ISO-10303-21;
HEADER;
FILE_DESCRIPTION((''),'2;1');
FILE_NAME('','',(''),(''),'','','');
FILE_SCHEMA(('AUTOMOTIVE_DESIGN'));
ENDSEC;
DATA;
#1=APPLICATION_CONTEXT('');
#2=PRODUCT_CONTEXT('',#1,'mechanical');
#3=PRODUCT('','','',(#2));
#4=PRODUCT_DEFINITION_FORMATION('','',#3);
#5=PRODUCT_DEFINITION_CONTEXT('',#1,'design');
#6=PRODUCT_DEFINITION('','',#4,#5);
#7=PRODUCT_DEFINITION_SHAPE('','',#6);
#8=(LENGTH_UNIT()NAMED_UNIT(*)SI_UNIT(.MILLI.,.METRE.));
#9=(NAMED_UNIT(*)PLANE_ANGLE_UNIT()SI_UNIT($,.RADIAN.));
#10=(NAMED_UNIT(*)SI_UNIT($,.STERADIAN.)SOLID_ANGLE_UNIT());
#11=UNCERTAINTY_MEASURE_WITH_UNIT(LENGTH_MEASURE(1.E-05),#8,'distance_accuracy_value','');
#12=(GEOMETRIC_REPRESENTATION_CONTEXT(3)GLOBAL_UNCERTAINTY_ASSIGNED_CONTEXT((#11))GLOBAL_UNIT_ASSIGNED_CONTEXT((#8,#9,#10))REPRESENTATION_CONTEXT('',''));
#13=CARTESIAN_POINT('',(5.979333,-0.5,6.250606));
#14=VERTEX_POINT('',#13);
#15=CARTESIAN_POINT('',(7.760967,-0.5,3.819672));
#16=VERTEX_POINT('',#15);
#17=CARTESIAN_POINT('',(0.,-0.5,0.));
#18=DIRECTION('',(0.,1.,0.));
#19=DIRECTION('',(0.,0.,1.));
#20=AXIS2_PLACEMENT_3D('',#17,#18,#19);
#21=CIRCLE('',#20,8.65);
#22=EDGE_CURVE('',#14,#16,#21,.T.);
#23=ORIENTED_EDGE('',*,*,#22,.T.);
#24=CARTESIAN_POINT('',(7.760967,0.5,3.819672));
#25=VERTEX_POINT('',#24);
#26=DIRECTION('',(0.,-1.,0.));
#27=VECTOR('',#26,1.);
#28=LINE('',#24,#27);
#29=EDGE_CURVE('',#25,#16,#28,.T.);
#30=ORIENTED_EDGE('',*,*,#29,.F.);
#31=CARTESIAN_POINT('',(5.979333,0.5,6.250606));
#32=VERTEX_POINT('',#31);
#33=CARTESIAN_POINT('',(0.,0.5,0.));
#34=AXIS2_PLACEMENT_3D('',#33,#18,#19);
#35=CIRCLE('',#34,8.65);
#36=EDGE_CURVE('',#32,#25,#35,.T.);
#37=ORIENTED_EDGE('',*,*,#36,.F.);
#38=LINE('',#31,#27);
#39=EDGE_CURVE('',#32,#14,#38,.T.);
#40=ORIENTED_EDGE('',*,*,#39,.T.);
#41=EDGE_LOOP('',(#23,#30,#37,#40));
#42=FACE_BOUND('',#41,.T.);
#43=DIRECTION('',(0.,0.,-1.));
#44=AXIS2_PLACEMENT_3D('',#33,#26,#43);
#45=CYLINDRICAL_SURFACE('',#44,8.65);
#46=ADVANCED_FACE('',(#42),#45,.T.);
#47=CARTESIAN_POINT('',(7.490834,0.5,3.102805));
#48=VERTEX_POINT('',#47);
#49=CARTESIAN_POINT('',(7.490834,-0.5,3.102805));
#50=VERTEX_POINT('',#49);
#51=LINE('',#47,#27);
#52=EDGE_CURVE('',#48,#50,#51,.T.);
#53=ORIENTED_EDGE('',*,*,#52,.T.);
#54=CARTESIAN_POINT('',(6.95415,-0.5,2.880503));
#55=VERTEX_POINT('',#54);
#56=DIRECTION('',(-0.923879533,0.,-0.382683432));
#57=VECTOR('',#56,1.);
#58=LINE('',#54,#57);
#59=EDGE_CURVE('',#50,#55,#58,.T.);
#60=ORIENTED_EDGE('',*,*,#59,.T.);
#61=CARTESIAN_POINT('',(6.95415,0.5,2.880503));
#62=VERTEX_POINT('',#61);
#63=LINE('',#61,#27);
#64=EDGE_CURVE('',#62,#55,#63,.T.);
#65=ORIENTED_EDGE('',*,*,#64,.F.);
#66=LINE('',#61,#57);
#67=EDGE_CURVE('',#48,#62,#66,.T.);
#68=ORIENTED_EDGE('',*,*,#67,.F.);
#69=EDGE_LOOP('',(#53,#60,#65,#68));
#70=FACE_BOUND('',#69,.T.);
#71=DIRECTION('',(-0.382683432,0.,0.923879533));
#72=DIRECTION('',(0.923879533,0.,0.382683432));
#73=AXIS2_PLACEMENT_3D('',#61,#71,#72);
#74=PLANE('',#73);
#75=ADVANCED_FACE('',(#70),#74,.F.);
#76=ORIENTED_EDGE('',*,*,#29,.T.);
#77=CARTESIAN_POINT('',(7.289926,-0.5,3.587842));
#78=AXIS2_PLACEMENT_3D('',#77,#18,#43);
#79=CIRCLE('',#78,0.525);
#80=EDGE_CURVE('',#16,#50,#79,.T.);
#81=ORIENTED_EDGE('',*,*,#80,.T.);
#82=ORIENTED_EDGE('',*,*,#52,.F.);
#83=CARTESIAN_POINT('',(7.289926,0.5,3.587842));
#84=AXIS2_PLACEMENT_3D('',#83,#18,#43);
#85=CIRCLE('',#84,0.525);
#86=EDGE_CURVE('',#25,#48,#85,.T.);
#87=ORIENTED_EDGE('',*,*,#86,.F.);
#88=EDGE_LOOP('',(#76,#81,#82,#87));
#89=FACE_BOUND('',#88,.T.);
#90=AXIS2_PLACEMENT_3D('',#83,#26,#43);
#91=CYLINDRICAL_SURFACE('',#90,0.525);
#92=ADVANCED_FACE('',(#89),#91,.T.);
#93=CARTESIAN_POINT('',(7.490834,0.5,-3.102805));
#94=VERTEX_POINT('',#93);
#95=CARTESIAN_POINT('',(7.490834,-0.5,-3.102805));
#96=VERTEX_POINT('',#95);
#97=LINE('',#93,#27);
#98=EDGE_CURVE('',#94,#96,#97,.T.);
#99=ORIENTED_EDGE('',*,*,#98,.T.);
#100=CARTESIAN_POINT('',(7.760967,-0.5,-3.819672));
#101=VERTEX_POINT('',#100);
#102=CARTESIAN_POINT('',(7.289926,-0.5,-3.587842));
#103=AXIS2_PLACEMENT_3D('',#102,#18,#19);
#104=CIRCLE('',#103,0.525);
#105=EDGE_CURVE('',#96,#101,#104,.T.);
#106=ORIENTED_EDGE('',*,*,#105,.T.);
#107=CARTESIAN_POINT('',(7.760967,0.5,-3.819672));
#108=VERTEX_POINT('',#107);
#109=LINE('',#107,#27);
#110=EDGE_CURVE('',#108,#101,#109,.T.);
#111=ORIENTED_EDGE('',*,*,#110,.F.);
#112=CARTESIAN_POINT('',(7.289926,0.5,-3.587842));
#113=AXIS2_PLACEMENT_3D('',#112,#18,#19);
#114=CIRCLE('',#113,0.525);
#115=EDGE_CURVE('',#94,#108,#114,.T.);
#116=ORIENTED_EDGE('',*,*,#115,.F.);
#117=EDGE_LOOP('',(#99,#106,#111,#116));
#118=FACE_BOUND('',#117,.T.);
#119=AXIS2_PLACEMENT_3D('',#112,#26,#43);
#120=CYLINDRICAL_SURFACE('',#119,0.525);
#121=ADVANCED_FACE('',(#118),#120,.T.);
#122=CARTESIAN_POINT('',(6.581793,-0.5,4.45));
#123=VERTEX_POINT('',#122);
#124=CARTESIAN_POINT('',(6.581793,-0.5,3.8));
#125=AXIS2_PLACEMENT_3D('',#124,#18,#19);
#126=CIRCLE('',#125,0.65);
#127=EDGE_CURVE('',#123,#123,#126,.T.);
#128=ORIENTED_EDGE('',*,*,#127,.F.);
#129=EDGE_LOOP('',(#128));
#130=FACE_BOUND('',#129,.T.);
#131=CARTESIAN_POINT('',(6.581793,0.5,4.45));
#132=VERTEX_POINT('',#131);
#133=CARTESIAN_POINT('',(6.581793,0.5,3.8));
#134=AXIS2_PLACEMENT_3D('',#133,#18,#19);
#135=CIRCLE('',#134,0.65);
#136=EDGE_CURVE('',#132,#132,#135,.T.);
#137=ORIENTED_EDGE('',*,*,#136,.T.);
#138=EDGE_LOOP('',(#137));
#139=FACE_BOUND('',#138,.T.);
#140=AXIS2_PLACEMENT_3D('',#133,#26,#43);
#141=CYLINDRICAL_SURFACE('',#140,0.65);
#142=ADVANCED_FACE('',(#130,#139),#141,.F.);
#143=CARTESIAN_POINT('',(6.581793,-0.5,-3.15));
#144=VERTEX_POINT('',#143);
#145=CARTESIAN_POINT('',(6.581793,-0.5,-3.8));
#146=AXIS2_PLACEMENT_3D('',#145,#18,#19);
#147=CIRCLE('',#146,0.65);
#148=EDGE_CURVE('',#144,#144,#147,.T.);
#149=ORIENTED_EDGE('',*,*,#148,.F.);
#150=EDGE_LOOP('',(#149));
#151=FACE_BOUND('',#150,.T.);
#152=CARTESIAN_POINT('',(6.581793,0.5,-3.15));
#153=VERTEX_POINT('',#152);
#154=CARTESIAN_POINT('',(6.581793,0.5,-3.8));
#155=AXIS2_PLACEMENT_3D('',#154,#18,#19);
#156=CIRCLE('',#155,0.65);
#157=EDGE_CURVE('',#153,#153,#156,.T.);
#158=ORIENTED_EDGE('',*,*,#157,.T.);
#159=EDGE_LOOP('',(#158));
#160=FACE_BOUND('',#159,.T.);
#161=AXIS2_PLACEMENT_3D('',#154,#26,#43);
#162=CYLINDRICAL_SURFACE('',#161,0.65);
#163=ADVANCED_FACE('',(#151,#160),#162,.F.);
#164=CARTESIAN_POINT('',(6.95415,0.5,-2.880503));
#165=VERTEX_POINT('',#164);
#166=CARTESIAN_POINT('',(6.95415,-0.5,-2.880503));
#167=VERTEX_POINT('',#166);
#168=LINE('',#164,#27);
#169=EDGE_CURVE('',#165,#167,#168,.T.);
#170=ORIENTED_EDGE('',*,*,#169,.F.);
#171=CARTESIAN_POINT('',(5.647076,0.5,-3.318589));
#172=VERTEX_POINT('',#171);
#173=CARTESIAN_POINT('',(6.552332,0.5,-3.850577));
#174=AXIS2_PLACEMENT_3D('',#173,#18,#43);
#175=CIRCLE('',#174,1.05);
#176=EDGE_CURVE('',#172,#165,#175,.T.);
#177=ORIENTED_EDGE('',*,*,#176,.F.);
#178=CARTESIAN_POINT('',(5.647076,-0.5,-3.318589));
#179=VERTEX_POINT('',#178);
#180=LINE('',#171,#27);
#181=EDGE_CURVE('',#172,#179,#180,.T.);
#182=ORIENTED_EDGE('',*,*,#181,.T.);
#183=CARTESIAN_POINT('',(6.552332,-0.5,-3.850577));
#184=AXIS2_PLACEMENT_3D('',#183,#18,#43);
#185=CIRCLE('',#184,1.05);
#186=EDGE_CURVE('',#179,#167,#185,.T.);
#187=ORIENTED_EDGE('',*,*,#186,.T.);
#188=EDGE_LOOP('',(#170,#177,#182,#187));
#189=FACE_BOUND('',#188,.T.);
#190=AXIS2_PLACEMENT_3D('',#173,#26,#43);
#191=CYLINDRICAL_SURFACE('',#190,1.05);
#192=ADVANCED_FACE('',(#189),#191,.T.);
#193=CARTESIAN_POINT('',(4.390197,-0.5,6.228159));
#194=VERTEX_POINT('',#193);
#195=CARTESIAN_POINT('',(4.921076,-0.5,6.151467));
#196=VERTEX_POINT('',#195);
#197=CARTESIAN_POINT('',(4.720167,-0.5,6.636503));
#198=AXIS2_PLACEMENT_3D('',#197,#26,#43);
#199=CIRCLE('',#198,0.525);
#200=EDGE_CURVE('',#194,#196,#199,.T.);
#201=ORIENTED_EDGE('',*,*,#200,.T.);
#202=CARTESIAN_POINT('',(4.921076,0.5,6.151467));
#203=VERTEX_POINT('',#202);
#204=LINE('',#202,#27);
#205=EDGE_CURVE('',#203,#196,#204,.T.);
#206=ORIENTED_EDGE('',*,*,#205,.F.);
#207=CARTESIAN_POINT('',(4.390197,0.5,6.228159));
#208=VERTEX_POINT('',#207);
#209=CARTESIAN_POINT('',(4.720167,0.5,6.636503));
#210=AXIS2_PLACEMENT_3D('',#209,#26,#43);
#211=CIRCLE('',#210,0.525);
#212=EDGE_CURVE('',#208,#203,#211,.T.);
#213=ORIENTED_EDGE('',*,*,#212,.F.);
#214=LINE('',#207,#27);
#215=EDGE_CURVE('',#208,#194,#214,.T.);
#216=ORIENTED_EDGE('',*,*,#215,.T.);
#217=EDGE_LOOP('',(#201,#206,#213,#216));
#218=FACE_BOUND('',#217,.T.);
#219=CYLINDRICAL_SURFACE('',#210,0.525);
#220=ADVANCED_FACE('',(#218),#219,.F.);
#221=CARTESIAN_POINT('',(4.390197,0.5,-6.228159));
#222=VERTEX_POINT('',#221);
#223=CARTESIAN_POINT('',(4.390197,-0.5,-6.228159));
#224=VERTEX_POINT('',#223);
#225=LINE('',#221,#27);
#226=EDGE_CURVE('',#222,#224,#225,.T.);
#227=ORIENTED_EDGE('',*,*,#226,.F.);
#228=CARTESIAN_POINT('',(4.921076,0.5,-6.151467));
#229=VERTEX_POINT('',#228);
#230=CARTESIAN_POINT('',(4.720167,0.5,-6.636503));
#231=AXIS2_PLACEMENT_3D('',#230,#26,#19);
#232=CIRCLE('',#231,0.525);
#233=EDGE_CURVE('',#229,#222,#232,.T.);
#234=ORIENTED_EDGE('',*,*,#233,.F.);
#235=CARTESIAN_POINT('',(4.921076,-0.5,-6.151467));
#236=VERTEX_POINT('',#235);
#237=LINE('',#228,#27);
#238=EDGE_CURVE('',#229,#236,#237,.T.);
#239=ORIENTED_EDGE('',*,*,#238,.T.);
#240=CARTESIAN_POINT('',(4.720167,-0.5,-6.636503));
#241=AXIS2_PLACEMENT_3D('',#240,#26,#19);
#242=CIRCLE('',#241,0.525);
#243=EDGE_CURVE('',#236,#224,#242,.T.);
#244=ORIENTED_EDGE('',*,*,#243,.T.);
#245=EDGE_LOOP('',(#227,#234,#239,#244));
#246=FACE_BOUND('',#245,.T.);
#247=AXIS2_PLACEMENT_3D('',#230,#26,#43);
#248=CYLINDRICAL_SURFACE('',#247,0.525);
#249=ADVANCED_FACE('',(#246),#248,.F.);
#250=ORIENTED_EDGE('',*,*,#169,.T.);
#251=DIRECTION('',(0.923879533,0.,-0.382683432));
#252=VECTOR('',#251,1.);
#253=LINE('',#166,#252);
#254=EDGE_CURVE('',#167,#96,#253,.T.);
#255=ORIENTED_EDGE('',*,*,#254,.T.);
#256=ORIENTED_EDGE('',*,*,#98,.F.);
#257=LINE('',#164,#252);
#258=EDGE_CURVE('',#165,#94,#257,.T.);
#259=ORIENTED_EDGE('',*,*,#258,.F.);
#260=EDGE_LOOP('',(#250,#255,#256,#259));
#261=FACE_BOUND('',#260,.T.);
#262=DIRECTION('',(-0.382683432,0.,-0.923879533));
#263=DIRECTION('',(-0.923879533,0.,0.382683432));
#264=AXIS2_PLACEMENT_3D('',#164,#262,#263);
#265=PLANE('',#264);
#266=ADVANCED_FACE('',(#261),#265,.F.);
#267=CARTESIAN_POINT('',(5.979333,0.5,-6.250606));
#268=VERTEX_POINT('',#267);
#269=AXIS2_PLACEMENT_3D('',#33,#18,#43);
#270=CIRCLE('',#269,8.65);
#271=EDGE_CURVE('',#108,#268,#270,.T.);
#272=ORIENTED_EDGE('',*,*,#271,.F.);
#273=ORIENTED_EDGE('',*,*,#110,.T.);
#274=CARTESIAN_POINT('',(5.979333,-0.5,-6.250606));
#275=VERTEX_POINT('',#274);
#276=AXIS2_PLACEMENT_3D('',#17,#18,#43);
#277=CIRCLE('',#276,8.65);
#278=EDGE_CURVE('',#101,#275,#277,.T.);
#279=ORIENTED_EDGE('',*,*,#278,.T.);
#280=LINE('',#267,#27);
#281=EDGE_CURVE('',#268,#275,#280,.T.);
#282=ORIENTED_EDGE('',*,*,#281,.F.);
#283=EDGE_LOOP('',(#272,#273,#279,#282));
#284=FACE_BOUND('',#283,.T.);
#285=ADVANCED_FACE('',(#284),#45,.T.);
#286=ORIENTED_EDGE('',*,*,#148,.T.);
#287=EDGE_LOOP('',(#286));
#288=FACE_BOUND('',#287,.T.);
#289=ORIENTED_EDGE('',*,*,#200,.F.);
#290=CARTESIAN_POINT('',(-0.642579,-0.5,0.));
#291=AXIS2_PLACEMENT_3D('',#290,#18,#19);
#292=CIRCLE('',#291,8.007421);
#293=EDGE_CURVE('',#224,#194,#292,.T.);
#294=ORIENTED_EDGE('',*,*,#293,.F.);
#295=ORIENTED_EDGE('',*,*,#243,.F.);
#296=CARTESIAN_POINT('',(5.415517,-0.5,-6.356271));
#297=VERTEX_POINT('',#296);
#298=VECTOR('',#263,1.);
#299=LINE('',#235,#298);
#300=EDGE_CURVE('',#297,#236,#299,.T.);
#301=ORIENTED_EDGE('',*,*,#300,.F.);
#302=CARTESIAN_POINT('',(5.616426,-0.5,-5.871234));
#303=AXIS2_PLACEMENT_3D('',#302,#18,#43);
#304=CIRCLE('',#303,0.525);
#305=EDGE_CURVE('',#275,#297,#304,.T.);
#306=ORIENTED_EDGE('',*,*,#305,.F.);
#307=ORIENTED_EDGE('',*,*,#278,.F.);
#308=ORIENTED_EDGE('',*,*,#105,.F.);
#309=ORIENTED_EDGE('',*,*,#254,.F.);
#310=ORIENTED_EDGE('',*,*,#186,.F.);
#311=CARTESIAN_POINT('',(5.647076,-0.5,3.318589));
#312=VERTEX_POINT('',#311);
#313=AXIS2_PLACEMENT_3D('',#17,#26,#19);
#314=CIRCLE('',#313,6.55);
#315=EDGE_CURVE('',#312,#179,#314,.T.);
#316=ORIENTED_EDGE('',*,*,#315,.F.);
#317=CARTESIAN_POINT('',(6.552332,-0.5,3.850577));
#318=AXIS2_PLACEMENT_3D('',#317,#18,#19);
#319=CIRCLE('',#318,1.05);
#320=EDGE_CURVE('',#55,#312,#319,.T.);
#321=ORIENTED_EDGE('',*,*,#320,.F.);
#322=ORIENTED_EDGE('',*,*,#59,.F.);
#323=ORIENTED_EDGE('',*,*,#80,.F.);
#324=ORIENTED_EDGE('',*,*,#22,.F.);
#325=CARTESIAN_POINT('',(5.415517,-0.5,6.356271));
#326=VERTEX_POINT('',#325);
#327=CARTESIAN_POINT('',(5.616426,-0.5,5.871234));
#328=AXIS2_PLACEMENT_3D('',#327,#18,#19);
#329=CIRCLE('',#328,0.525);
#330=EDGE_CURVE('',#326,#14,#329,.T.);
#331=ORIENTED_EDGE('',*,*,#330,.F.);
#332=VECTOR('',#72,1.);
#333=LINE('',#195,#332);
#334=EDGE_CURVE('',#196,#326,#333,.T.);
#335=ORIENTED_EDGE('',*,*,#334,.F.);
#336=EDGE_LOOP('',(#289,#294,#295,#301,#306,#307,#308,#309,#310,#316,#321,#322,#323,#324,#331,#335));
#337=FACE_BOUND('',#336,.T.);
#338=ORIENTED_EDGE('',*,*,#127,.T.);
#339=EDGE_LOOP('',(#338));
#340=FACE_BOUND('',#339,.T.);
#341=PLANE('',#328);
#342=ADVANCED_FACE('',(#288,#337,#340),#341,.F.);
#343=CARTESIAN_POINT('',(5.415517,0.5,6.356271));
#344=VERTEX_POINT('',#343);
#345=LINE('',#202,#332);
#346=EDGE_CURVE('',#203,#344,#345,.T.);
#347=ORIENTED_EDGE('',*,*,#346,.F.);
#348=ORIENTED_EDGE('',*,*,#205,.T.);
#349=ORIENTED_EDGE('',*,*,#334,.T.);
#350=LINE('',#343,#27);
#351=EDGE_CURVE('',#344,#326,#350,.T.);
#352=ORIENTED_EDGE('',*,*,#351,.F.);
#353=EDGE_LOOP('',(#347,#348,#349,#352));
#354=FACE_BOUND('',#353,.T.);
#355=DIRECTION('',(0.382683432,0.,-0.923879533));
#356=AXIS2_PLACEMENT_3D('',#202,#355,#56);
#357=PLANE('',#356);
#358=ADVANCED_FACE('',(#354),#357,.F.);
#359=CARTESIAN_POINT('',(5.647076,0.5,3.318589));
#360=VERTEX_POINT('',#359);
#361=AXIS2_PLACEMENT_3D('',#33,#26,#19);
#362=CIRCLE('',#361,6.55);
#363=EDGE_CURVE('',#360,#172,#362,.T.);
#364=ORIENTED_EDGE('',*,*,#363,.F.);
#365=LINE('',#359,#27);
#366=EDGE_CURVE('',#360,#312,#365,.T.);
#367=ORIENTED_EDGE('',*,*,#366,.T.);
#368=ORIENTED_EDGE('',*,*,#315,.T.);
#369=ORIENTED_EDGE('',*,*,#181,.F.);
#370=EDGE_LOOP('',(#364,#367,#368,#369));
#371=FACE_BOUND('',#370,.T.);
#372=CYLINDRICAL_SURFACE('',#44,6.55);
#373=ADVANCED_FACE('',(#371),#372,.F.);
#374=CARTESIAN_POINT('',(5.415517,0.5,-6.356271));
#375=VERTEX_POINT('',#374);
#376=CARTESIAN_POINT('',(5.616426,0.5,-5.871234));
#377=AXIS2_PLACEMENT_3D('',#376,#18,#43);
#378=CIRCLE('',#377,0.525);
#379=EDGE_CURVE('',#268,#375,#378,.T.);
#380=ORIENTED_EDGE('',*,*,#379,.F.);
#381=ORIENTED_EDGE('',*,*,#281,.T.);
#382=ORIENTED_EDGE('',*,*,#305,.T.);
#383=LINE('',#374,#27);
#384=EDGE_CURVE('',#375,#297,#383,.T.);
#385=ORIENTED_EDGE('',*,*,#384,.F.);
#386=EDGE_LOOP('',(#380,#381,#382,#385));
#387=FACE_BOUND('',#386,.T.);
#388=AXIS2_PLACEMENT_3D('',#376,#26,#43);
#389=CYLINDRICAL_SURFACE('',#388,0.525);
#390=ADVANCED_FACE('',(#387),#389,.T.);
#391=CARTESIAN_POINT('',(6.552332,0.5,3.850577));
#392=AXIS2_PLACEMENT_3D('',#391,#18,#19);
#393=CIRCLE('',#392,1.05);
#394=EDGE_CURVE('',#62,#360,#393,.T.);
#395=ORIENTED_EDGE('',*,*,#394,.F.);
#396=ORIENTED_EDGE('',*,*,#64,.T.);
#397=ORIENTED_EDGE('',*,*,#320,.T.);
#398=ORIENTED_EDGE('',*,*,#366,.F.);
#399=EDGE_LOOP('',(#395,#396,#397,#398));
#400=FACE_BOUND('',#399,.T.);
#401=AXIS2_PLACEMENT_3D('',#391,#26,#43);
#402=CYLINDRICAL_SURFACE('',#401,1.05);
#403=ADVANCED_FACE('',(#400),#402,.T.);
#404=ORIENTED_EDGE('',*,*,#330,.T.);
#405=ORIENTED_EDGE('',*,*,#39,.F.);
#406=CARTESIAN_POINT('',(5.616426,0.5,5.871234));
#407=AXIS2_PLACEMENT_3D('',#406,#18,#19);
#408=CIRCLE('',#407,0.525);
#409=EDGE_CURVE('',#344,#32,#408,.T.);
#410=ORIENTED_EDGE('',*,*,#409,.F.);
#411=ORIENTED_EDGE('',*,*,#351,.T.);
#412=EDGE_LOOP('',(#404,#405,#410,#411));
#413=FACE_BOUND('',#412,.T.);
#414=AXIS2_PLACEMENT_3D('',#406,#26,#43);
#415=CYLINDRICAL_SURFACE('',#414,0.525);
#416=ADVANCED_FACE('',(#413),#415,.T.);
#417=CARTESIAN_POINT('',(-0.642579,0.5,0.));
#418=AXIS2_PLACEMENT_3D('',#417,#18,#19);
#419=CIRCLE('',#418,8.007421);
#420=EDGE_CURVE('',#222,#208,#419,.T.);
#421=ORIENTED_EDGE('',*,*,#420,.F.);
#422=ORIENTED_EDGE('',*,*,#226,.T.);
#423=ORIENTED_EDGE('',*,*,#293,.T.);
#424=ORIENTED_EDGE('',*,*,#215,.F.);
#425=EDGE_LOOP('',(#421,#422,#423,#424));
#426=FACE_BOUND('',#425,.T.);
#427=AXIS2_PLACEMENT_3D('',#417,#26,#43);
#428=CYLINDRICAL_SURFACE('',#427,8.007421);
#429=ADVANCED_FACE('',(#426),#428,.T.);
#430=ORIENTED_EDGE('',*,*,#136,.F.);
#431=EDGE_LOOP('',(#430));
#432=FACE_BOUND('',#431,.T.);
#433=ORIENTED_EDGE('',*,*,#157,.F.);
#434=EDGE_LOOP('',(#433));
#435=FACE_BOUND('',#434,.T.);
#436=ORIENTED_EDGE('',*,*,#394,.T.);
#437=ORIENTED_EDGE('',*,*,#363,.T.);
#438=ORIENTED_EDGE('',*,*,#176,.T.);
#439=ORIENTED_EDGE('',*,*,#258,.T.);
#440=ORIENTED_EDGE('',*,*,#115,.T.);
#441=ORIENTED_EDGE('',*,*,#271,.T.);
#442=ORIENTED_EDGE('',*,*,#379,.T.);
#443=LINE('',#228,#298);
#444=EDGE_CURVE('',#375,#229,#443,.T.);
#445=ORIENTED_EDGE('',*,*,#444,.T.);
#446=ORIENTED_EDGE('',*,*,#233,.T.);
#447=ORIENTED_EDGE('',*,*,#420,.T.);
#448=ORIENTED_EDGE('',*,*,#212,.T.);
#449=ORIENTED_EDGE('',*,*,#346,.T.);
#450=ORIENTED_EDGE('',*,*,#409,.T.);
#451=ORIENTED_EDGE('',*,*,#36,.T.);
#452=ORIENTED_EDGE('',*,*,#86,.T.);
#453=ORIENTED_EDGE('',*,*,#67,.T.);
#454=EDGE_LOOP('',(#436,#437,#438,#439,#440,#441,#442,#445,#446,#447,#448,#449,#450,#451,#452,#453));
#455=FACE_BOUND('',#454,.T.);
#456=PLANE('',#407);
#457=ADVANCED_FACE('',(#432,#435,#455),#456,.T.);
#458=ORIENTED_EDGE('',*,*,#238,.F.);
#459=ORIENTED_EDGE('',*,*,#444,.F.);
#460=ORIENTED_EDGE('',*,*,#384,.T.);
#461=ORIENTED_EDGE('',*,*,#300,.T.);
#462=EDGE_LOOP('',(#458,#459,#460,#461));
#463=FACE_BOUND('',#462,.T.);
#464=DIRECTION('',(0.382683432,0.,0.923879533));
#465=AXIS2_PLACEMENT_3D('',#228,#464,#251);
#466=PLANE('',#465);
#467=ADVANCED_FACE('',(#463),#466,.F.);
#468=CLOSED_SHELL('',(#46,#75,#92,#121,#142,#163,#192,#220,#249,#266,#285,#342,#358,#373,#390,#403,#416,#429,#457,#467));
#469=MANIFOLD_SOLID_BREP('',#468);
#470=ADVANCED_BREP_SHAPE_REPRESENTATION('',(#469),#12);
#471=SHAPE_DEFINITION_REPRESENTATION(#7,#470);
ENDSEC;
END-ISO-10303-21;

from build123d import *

# Parameters (mm, degrees)
BOSS_EXTRUDE1_DEPTH      = 0.5
BOSS_EXTRUDE1_DEPTH_BACK = 0.5
SKETCH3_R                = 0.65


with BuildPart() as part:
    # Sketch3 → Boss-Extrude1 (new, two sides: drawn at the far end of the back side and taken through both)
    with BuildSketch(Plane(origin=(0, 0, 0), x_dir=(1, 0, 0), z_dir=(0, 1, 0)).offset(-BOSS_EXTRUDE1_DEPTH_BACK)):
        with BuildLine():
            Line((4.921075662, 6.151466642), (5.415516704, 6.356270827))
            ThreePointArc((5.415516704, 6.356270827), (5.713132029, 6.387250398), (5.979333, 6.25060612))
            ThreePointArc((5.979333, 6.25060612), (6.97684177, 5.113333445), (7.760966936, 3.819671741))
            ThreePointArc((7.760966936, 3.819671741), (7.78120317, 3.402716753), (7.490834393, 3.102805199))
            Line((7.490834393, 3.102805199), (6.954149928, 2.880503215))
            ThreePointArc((6.954149928, 2.880503215), (6.218652108, 2.855007785), (5.647075885, 3.318589151))
            ThreePointArc((5.647075885, 3.318589151), (-6.55, 0), (5.647075885, -3.318589151))
            ThreePointArc((5.647075885, -3.318589151), (6.218652108, -2.855007785), (6.954149928, -2.880503215))
            Line((6.954149928, -2.880503215), (7.490834393, -3.102805199))
            ThreePointArc((7.490834393, -3.102805199), (7.78120317, -3.402716753), (7.760966936, -3.819671741))
            ThreePointArc((7.760966936, -3.819671741), (6.97684177, -5.113333445), (5.979333, -6.25060612))
            ThreePointArc((5.979333, -6.25060612), (5.713132029, -6.387250398), (5.415516704, -6.356270827))
            Line((5.415516704, -6.356270827), (4.921075662, -6.151466642))
            ThreePointArc((4.921075662, -6.151466642), (4.645102726, -6.116897415), (4.390197066, -6.228159258))
            ThreePointArc((4.390197066, -6.228159258), (-8.65, 0), (4.390197066, 6.228159258))
            ThreePointArc((4.390197066, 6.228159258), (4.645102726, 6.116897415), (4.921075662, 6.151466642))
        make_face()
        with Locations(Location((6.581793069, -3.8, 0), (0, 0, 270))):
            Circle(SKETCH3_R, mode=Mode.SUBTRACT)
        with Locations(Location((6.581793069, 3.8, 0), (0, 0, 270))):
            Circle(SKETCH3_R, mode=Mode.SUBTRACT)
    extrude(amount=BOSS_EXTRUDE1_DEPTH + BOSS_EXTRUDE1_DEPTH_BACK)


solid = part.part
